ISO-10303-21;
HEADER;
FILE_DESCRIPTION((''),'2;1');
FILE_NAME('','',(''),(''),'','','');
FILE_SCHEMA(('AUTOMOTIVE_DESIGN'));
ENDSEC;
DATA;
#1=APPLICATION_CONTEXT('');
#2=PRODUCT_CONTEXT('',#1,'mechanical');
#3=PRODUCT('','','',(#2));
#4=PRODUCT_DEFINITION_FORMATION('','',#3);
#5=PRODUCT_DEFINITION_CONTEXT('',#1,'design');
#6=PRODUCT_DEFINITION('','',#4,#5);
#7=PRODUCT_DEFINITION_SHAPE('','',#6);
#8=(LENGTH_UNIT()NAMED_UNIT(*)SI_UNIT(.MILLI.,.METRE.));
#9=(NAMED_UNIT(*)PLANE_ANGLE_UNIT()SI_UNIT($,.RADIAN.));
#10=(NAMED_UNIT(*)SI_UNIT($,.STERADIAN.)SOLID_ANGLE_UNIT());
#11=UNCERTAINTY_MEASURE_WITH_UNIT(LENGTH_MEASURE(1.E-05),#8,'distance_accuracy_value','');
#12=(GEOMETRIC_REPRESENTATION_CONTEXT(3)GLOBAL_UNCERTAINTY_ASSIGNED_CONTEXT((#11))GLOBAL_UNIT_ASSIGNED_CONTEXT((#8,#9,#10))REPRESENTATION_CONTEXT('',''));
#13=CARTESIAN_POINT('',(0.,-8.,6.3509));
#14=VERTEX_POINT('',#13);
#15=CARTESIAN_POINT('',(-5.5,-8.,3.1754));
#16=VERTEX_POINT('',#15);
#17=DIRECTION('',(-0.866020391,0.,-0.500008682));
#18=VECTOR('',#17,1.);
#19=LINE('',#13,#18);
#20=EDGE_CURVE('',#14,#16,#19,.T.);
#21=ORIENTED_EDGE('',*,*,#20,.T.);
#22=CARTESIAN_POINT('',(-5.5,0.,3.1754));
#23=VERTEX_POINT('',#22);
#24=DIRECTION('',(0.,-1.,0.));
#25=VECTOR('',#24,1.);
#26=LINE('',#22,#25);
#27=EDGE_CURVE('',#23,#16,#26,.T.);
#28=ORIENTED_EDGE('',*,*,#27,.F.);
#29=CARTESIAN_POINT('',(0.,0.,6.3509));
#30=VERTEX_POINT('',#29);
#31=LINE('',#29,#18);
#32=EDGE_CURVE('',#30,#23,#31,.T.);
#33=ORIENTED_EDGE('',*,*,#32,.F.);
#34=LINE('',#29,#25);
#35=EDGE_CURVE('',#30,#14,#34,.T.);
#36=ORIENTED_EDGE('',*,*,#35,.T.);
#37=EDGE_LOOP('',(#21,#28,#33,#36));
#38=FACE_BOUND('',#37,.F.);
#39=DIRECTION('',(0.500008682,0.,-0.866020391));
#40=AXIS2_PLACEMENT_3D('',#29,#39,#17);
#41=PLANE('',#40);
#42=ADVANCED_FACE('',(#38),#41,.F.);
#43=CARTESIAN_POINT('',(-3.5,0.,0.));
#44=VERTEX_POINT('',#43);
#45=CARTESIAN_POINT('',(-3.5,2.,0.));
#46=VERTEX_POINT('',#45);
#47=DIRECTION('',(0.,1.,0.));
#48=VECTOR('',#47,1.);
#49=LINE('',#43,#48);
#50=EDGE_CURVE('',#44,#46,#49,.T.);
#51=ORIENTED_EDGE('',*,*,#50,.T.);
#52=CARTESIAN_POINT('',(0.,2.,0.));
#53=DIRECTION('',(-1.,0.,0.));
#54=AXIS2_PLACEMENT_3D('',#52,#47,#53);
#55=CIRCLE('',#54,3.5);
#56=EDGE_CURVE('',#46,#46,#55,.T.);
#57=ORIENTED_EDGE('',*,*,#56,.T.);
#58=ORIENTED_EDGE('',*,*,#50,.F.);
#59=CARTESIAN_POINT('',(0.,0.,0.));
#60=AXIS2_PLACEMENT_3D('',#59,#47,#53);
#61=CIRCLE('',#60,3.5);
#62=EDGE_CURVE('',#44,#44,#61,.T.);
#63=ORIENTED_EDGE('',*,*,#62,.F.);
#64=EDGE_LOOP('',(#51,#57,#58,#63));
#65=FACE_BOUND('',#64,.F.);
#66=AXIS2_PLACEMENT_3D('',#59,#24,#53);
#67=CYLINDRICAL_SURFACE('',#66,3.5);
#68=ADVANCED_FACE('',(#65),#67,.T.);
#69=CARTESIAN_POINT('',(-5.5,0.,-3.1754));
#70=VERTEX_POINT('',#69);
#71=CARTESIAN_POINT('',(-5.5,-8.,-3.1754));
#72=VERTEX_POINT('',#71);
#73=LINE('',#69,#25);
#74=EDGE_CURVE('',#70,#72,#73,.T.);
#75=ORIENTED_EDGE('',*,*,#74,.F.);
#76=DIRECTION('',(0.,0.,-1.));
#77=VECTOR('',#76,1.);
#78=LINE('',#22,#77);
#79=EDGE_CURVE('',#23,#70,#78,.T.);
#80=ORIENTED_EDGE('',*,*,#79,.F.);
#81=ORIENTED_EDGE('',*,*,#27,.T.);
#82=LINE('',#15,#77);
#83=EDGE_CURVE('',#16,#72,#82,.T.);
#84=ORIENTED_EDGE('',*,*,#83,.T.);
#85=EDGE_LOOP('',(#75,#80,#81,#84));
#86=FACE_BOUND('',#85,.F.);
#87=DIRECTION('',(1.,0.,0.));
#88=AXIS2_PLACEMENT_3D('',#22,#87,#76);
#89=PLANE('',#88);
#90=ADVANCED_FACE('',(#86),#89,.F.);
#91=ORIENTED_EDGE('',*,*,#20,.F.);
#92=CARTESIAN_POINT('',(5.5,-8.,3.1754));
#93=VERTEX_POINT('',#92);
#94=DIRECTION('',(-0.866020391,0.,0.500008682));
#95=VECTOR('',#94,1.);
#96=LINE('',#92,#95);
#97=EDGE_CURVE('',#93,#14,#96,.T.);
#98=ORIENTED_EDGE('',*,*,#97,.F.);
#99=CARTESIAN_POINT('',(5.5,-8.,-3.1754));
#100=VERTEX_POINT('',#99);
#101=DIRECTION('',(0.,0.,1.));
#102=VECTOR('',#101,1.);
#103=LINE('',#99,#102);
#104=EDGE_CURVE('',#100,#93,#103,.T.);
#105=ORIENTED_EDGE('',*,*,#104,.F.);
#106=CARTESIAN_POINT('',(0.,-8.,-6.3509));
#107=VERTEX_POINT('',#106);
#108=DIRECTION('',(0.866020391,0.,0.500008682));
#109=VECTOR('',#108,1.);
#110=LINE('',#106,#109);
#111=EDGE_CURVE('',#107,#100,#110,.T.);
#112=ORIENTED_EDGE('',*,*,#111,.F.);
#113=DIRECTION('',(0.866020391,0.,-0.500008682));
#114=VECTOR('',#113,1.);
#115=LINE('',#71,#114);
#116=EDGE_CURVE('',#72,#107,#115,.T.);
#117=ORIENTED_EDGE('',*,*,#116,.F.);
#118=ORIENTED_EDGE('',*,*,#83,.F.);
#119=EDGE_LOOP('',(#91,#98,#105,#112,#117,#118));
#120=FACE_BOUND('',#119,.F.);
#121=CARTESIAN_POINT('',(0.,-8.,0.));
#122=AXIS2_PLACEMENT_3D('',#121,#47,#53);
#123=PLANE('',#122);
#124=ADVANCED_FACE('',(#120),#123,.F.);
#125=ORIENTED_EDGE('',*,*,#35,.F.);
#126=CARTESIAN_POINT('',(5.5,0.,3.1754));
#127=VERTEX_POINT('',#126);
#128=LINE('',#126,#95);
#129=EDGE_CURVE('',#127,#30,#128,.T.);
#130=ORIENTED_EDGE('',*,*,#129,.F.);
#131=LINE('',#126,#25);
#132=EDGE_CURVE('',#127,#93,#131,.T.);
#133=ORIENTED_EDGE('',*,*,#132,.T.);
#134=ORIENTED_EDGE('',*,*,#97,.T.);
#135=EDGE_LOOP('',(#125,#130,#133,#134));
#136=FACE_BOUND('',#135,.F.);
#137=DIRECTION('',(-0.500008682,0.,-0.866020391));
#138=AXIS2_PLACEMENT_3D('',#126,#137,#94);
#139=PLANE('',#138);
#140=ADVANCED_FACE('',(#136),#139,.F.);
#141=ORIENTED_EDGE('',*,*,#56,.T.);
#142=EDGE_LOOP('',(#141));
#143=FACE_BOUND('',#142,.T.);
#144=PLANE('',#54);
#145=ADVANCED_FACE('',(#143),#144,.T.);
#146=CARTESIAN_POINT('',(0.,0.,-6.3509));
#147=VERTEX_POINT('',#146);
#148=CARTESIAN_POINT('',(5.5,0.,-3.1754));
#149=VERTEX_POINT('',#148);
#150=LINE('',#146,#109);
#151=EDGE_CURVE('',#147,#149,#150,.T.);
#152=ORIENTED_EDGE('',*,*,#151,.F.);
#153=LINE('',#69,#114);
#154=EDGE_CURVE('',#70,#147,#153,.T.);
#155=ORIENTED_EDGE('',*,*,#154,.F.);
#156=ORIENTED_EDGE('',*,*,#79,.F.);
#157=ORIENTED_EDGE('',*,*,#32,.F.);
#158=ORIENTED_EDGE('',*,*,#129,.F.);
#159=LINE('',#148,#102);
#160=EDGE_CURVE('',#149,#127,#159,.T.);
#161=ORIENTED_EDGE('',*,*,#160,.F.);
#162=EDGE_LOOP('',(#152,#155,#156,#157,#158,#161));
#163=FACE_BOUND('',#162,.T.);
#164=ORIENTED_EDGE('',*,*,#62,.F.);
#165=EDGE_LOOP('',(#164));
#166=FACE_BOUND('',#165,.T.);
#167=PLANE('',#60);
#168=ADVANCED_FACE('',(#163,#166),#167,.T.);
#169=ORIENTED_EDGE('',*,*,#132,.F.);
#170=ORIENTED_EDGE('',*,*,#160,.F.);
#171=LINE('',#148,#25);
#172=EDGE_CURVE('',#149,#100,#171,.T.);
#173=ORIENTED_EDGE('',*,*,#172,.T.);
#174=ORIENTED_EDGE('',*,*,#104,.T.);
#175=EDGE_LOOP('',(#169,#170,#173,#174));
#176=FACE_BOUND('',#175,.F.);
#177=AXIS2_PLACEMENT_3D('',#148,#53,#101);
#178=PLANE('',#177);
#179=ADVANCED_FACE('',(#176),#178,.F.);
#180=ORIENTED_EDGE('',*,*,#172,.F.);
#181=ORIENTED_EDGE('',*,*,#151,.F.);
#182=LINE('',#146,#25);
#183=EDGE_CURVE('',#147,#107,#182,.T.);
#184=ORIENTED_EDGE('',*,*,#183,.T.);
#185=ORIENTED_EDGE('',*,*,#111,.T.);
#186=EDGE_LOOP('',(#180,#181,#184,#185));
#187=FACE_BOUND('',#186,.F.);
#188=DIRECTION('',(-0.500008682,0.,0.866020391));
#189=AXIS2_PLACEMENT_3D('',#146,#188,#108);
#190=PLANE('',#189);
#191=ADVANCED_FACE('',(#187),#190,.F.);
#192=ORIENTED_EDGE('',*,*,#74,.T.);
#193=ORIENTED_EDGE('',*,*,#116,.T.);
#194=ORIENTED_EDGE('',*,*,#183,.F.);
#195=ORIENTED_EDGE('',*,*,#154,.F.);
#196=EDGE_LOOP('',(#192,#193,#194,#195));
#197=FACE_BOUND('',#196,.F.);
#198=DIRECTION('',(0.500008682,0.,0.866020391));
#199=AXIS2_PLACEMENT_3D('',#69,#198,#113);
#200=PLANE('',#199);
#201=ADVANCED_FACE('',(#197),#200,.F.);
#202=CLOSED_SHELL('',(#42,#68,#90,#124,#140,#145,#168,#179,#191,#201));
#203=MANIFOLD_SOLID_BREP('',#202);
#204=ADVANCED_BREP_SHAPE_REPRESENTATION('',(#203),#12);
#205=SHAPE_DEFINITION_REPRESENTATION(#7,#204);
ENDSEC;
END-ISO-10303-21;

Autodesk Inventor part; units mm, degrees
ref_plane "YZ Plane" through (0, 0, 0) normal (1, 0, 0) x (0, 1, 0)
ref_plane "XZ Plane" through (0, 0, 0) normal (0, 1, 0) x (-1, 0, 0)
ref_plane "XY Plane" through (0, 0, 0) normal (0, 0, 1) x (1, 0, 0)
sketch "Sketch1" plane through (0, 0, 0) normal (0, 1, 0) x (-1, 0, 0)
  line L0 (5.5, -3.1754) -> (0, -6.3509)
  line L1 (0, -6.3509) -> (-5.5, -3.1754)
  line L2 (-5.5, -3.1754) -> (-5.5, 3.1754)
  line L3 (-5.5, 3.1754) -> (0, 6.3509)
  line L4 (0, 6.3509) -> (5.5, 3.1754)
  line L5 (5.5, 3.1754) -> (5.5, -3.1754)
  circle A0 centre (0, 0) radius 3.5
  dimension "d0" = 7
  dimension "d1" = 11
extrude "Extrusion1" add sketch "Sketch1" against normal blind 8 contours L0 L1 L2 L3 L4 L5 | A0
extrude "Extrusion2" add sketch "Sketch1" along normal blind 2 contours A0
properties part number "EccentricNut 5mmID 11mmHex" material "Aluminum 6061"
